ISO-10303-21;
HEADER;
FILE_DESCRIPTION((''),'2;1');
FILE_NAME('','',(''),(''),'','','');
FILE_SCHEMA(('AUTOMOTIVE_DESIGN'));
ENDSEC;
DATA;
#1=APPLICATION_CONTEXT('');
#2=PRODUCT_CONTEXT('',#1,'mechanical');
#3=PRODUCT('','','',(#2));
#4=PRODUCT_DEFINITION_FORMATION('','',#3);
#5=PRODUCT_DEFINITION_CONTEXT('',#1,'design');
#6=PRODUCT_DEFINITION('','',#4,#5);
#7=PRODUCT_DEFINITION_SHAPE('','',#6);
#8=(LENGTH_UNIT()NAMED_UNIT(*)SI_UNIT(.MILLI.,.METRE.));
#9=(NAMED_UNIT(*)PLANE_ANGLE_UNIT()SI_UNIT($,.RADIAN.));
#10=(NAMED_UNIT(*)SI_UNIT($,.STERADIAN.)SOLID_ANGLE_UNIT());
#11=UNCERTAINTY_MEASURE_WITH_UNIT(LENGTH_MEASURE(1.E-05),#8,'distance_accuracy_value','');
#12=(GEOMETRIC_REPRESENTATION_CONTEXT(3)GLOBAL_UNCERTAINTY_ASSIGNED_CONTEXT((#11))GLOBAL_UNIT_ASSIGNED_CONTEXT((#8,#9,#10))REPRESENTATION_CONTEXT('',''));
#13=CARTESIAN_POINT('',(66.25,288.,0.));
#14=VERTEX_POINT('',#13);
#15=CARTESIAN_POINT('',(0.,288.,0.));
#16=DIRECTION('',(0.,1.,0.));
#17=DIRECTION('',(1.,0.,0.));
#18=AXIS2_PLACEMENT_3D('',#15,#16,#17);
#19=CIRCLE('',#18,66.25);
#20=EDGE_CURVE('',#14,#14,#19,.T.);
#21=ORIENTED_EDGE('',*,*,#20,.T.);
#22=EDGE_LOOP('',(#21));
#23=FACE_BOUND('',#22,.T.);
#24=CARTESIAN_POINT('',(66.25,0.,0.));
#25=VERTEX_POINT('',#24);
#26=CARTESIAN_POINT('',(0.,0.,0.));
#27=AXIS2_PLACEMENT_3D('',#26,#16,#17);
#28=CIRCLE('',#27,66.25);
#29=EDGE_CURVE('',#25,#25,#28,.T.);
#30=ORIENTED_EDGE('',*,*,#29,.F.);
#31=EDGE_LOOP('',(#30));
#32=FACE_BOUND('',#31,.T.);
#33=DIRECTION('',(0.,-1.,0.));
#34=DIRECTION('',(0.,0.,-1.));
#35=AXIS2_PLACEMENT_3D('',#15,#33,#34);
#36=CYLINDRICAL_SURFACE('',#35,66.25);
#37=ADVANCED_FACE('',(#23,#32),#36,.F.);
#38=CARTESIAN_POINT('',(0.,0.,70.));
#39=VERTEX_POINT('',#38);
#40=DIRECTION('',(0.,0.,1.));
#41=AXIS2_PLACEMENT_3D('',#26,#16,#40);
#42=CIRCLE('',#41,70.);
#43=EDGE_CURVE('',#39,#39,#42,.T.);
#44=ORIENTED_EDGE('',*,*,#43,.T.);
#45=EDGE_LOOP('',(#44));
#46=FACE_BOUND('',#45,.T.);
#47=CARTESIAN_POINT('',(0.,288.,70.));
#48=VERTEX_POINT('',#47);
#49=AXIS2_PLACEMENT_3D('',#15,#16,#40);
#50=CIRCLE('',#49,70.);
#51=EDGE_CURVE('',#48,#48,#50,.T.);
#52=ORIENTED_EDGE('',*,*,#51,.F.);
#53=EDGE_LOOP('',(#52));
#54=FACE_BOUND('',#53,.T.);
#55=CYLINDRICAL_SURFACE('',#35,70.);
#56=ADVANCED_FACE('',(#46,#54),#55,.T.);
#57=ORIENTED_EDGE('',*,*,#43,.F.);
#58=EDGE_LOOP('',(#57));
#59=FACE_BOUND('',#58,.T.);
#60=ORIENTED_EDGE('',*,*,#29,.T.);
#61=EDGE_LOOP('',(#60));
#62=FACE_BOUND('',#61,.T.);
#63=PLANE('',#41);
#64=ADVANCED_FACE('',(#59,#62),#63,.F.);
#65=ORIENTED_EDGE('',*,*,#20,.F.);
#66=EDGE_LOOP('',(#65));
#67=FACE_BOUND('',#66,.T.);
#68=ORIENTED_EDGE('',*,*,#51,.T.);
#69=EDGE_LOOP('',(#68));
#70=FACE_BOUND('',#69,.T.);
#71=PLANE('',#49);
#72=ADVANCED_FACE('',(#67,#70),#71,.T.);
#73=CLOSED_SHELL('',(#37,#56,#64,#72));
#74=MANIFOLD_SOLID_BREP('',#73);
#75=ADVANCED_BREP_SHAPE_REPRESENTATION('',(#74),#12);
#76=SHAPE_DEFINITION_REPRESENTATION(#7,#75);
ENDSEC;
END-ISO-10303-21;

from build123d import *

# Parameters (mm, degrees)
CROQUIS1_R            = 70
CROQUIS1_R_2          = 66.25
EXTRUIR_L_MINA1_DEPTH = 288


with BuildPart() as part:
    # Croquis1 → Extruir-Lámina1 (new body)
    with BuildSketch(Plane(origin=(0, 0, 0), x_dir=(1, 0, 0), z_dir=(0, 1, 0))):
        Circle(CROQUIS1_R)
        Circle(CROQUIS1_R_2, mode=Mode.SUBTRACT)
    extrude(amount=EXTRUIR_L_MINA1_DEPTH)


solid = part.part
